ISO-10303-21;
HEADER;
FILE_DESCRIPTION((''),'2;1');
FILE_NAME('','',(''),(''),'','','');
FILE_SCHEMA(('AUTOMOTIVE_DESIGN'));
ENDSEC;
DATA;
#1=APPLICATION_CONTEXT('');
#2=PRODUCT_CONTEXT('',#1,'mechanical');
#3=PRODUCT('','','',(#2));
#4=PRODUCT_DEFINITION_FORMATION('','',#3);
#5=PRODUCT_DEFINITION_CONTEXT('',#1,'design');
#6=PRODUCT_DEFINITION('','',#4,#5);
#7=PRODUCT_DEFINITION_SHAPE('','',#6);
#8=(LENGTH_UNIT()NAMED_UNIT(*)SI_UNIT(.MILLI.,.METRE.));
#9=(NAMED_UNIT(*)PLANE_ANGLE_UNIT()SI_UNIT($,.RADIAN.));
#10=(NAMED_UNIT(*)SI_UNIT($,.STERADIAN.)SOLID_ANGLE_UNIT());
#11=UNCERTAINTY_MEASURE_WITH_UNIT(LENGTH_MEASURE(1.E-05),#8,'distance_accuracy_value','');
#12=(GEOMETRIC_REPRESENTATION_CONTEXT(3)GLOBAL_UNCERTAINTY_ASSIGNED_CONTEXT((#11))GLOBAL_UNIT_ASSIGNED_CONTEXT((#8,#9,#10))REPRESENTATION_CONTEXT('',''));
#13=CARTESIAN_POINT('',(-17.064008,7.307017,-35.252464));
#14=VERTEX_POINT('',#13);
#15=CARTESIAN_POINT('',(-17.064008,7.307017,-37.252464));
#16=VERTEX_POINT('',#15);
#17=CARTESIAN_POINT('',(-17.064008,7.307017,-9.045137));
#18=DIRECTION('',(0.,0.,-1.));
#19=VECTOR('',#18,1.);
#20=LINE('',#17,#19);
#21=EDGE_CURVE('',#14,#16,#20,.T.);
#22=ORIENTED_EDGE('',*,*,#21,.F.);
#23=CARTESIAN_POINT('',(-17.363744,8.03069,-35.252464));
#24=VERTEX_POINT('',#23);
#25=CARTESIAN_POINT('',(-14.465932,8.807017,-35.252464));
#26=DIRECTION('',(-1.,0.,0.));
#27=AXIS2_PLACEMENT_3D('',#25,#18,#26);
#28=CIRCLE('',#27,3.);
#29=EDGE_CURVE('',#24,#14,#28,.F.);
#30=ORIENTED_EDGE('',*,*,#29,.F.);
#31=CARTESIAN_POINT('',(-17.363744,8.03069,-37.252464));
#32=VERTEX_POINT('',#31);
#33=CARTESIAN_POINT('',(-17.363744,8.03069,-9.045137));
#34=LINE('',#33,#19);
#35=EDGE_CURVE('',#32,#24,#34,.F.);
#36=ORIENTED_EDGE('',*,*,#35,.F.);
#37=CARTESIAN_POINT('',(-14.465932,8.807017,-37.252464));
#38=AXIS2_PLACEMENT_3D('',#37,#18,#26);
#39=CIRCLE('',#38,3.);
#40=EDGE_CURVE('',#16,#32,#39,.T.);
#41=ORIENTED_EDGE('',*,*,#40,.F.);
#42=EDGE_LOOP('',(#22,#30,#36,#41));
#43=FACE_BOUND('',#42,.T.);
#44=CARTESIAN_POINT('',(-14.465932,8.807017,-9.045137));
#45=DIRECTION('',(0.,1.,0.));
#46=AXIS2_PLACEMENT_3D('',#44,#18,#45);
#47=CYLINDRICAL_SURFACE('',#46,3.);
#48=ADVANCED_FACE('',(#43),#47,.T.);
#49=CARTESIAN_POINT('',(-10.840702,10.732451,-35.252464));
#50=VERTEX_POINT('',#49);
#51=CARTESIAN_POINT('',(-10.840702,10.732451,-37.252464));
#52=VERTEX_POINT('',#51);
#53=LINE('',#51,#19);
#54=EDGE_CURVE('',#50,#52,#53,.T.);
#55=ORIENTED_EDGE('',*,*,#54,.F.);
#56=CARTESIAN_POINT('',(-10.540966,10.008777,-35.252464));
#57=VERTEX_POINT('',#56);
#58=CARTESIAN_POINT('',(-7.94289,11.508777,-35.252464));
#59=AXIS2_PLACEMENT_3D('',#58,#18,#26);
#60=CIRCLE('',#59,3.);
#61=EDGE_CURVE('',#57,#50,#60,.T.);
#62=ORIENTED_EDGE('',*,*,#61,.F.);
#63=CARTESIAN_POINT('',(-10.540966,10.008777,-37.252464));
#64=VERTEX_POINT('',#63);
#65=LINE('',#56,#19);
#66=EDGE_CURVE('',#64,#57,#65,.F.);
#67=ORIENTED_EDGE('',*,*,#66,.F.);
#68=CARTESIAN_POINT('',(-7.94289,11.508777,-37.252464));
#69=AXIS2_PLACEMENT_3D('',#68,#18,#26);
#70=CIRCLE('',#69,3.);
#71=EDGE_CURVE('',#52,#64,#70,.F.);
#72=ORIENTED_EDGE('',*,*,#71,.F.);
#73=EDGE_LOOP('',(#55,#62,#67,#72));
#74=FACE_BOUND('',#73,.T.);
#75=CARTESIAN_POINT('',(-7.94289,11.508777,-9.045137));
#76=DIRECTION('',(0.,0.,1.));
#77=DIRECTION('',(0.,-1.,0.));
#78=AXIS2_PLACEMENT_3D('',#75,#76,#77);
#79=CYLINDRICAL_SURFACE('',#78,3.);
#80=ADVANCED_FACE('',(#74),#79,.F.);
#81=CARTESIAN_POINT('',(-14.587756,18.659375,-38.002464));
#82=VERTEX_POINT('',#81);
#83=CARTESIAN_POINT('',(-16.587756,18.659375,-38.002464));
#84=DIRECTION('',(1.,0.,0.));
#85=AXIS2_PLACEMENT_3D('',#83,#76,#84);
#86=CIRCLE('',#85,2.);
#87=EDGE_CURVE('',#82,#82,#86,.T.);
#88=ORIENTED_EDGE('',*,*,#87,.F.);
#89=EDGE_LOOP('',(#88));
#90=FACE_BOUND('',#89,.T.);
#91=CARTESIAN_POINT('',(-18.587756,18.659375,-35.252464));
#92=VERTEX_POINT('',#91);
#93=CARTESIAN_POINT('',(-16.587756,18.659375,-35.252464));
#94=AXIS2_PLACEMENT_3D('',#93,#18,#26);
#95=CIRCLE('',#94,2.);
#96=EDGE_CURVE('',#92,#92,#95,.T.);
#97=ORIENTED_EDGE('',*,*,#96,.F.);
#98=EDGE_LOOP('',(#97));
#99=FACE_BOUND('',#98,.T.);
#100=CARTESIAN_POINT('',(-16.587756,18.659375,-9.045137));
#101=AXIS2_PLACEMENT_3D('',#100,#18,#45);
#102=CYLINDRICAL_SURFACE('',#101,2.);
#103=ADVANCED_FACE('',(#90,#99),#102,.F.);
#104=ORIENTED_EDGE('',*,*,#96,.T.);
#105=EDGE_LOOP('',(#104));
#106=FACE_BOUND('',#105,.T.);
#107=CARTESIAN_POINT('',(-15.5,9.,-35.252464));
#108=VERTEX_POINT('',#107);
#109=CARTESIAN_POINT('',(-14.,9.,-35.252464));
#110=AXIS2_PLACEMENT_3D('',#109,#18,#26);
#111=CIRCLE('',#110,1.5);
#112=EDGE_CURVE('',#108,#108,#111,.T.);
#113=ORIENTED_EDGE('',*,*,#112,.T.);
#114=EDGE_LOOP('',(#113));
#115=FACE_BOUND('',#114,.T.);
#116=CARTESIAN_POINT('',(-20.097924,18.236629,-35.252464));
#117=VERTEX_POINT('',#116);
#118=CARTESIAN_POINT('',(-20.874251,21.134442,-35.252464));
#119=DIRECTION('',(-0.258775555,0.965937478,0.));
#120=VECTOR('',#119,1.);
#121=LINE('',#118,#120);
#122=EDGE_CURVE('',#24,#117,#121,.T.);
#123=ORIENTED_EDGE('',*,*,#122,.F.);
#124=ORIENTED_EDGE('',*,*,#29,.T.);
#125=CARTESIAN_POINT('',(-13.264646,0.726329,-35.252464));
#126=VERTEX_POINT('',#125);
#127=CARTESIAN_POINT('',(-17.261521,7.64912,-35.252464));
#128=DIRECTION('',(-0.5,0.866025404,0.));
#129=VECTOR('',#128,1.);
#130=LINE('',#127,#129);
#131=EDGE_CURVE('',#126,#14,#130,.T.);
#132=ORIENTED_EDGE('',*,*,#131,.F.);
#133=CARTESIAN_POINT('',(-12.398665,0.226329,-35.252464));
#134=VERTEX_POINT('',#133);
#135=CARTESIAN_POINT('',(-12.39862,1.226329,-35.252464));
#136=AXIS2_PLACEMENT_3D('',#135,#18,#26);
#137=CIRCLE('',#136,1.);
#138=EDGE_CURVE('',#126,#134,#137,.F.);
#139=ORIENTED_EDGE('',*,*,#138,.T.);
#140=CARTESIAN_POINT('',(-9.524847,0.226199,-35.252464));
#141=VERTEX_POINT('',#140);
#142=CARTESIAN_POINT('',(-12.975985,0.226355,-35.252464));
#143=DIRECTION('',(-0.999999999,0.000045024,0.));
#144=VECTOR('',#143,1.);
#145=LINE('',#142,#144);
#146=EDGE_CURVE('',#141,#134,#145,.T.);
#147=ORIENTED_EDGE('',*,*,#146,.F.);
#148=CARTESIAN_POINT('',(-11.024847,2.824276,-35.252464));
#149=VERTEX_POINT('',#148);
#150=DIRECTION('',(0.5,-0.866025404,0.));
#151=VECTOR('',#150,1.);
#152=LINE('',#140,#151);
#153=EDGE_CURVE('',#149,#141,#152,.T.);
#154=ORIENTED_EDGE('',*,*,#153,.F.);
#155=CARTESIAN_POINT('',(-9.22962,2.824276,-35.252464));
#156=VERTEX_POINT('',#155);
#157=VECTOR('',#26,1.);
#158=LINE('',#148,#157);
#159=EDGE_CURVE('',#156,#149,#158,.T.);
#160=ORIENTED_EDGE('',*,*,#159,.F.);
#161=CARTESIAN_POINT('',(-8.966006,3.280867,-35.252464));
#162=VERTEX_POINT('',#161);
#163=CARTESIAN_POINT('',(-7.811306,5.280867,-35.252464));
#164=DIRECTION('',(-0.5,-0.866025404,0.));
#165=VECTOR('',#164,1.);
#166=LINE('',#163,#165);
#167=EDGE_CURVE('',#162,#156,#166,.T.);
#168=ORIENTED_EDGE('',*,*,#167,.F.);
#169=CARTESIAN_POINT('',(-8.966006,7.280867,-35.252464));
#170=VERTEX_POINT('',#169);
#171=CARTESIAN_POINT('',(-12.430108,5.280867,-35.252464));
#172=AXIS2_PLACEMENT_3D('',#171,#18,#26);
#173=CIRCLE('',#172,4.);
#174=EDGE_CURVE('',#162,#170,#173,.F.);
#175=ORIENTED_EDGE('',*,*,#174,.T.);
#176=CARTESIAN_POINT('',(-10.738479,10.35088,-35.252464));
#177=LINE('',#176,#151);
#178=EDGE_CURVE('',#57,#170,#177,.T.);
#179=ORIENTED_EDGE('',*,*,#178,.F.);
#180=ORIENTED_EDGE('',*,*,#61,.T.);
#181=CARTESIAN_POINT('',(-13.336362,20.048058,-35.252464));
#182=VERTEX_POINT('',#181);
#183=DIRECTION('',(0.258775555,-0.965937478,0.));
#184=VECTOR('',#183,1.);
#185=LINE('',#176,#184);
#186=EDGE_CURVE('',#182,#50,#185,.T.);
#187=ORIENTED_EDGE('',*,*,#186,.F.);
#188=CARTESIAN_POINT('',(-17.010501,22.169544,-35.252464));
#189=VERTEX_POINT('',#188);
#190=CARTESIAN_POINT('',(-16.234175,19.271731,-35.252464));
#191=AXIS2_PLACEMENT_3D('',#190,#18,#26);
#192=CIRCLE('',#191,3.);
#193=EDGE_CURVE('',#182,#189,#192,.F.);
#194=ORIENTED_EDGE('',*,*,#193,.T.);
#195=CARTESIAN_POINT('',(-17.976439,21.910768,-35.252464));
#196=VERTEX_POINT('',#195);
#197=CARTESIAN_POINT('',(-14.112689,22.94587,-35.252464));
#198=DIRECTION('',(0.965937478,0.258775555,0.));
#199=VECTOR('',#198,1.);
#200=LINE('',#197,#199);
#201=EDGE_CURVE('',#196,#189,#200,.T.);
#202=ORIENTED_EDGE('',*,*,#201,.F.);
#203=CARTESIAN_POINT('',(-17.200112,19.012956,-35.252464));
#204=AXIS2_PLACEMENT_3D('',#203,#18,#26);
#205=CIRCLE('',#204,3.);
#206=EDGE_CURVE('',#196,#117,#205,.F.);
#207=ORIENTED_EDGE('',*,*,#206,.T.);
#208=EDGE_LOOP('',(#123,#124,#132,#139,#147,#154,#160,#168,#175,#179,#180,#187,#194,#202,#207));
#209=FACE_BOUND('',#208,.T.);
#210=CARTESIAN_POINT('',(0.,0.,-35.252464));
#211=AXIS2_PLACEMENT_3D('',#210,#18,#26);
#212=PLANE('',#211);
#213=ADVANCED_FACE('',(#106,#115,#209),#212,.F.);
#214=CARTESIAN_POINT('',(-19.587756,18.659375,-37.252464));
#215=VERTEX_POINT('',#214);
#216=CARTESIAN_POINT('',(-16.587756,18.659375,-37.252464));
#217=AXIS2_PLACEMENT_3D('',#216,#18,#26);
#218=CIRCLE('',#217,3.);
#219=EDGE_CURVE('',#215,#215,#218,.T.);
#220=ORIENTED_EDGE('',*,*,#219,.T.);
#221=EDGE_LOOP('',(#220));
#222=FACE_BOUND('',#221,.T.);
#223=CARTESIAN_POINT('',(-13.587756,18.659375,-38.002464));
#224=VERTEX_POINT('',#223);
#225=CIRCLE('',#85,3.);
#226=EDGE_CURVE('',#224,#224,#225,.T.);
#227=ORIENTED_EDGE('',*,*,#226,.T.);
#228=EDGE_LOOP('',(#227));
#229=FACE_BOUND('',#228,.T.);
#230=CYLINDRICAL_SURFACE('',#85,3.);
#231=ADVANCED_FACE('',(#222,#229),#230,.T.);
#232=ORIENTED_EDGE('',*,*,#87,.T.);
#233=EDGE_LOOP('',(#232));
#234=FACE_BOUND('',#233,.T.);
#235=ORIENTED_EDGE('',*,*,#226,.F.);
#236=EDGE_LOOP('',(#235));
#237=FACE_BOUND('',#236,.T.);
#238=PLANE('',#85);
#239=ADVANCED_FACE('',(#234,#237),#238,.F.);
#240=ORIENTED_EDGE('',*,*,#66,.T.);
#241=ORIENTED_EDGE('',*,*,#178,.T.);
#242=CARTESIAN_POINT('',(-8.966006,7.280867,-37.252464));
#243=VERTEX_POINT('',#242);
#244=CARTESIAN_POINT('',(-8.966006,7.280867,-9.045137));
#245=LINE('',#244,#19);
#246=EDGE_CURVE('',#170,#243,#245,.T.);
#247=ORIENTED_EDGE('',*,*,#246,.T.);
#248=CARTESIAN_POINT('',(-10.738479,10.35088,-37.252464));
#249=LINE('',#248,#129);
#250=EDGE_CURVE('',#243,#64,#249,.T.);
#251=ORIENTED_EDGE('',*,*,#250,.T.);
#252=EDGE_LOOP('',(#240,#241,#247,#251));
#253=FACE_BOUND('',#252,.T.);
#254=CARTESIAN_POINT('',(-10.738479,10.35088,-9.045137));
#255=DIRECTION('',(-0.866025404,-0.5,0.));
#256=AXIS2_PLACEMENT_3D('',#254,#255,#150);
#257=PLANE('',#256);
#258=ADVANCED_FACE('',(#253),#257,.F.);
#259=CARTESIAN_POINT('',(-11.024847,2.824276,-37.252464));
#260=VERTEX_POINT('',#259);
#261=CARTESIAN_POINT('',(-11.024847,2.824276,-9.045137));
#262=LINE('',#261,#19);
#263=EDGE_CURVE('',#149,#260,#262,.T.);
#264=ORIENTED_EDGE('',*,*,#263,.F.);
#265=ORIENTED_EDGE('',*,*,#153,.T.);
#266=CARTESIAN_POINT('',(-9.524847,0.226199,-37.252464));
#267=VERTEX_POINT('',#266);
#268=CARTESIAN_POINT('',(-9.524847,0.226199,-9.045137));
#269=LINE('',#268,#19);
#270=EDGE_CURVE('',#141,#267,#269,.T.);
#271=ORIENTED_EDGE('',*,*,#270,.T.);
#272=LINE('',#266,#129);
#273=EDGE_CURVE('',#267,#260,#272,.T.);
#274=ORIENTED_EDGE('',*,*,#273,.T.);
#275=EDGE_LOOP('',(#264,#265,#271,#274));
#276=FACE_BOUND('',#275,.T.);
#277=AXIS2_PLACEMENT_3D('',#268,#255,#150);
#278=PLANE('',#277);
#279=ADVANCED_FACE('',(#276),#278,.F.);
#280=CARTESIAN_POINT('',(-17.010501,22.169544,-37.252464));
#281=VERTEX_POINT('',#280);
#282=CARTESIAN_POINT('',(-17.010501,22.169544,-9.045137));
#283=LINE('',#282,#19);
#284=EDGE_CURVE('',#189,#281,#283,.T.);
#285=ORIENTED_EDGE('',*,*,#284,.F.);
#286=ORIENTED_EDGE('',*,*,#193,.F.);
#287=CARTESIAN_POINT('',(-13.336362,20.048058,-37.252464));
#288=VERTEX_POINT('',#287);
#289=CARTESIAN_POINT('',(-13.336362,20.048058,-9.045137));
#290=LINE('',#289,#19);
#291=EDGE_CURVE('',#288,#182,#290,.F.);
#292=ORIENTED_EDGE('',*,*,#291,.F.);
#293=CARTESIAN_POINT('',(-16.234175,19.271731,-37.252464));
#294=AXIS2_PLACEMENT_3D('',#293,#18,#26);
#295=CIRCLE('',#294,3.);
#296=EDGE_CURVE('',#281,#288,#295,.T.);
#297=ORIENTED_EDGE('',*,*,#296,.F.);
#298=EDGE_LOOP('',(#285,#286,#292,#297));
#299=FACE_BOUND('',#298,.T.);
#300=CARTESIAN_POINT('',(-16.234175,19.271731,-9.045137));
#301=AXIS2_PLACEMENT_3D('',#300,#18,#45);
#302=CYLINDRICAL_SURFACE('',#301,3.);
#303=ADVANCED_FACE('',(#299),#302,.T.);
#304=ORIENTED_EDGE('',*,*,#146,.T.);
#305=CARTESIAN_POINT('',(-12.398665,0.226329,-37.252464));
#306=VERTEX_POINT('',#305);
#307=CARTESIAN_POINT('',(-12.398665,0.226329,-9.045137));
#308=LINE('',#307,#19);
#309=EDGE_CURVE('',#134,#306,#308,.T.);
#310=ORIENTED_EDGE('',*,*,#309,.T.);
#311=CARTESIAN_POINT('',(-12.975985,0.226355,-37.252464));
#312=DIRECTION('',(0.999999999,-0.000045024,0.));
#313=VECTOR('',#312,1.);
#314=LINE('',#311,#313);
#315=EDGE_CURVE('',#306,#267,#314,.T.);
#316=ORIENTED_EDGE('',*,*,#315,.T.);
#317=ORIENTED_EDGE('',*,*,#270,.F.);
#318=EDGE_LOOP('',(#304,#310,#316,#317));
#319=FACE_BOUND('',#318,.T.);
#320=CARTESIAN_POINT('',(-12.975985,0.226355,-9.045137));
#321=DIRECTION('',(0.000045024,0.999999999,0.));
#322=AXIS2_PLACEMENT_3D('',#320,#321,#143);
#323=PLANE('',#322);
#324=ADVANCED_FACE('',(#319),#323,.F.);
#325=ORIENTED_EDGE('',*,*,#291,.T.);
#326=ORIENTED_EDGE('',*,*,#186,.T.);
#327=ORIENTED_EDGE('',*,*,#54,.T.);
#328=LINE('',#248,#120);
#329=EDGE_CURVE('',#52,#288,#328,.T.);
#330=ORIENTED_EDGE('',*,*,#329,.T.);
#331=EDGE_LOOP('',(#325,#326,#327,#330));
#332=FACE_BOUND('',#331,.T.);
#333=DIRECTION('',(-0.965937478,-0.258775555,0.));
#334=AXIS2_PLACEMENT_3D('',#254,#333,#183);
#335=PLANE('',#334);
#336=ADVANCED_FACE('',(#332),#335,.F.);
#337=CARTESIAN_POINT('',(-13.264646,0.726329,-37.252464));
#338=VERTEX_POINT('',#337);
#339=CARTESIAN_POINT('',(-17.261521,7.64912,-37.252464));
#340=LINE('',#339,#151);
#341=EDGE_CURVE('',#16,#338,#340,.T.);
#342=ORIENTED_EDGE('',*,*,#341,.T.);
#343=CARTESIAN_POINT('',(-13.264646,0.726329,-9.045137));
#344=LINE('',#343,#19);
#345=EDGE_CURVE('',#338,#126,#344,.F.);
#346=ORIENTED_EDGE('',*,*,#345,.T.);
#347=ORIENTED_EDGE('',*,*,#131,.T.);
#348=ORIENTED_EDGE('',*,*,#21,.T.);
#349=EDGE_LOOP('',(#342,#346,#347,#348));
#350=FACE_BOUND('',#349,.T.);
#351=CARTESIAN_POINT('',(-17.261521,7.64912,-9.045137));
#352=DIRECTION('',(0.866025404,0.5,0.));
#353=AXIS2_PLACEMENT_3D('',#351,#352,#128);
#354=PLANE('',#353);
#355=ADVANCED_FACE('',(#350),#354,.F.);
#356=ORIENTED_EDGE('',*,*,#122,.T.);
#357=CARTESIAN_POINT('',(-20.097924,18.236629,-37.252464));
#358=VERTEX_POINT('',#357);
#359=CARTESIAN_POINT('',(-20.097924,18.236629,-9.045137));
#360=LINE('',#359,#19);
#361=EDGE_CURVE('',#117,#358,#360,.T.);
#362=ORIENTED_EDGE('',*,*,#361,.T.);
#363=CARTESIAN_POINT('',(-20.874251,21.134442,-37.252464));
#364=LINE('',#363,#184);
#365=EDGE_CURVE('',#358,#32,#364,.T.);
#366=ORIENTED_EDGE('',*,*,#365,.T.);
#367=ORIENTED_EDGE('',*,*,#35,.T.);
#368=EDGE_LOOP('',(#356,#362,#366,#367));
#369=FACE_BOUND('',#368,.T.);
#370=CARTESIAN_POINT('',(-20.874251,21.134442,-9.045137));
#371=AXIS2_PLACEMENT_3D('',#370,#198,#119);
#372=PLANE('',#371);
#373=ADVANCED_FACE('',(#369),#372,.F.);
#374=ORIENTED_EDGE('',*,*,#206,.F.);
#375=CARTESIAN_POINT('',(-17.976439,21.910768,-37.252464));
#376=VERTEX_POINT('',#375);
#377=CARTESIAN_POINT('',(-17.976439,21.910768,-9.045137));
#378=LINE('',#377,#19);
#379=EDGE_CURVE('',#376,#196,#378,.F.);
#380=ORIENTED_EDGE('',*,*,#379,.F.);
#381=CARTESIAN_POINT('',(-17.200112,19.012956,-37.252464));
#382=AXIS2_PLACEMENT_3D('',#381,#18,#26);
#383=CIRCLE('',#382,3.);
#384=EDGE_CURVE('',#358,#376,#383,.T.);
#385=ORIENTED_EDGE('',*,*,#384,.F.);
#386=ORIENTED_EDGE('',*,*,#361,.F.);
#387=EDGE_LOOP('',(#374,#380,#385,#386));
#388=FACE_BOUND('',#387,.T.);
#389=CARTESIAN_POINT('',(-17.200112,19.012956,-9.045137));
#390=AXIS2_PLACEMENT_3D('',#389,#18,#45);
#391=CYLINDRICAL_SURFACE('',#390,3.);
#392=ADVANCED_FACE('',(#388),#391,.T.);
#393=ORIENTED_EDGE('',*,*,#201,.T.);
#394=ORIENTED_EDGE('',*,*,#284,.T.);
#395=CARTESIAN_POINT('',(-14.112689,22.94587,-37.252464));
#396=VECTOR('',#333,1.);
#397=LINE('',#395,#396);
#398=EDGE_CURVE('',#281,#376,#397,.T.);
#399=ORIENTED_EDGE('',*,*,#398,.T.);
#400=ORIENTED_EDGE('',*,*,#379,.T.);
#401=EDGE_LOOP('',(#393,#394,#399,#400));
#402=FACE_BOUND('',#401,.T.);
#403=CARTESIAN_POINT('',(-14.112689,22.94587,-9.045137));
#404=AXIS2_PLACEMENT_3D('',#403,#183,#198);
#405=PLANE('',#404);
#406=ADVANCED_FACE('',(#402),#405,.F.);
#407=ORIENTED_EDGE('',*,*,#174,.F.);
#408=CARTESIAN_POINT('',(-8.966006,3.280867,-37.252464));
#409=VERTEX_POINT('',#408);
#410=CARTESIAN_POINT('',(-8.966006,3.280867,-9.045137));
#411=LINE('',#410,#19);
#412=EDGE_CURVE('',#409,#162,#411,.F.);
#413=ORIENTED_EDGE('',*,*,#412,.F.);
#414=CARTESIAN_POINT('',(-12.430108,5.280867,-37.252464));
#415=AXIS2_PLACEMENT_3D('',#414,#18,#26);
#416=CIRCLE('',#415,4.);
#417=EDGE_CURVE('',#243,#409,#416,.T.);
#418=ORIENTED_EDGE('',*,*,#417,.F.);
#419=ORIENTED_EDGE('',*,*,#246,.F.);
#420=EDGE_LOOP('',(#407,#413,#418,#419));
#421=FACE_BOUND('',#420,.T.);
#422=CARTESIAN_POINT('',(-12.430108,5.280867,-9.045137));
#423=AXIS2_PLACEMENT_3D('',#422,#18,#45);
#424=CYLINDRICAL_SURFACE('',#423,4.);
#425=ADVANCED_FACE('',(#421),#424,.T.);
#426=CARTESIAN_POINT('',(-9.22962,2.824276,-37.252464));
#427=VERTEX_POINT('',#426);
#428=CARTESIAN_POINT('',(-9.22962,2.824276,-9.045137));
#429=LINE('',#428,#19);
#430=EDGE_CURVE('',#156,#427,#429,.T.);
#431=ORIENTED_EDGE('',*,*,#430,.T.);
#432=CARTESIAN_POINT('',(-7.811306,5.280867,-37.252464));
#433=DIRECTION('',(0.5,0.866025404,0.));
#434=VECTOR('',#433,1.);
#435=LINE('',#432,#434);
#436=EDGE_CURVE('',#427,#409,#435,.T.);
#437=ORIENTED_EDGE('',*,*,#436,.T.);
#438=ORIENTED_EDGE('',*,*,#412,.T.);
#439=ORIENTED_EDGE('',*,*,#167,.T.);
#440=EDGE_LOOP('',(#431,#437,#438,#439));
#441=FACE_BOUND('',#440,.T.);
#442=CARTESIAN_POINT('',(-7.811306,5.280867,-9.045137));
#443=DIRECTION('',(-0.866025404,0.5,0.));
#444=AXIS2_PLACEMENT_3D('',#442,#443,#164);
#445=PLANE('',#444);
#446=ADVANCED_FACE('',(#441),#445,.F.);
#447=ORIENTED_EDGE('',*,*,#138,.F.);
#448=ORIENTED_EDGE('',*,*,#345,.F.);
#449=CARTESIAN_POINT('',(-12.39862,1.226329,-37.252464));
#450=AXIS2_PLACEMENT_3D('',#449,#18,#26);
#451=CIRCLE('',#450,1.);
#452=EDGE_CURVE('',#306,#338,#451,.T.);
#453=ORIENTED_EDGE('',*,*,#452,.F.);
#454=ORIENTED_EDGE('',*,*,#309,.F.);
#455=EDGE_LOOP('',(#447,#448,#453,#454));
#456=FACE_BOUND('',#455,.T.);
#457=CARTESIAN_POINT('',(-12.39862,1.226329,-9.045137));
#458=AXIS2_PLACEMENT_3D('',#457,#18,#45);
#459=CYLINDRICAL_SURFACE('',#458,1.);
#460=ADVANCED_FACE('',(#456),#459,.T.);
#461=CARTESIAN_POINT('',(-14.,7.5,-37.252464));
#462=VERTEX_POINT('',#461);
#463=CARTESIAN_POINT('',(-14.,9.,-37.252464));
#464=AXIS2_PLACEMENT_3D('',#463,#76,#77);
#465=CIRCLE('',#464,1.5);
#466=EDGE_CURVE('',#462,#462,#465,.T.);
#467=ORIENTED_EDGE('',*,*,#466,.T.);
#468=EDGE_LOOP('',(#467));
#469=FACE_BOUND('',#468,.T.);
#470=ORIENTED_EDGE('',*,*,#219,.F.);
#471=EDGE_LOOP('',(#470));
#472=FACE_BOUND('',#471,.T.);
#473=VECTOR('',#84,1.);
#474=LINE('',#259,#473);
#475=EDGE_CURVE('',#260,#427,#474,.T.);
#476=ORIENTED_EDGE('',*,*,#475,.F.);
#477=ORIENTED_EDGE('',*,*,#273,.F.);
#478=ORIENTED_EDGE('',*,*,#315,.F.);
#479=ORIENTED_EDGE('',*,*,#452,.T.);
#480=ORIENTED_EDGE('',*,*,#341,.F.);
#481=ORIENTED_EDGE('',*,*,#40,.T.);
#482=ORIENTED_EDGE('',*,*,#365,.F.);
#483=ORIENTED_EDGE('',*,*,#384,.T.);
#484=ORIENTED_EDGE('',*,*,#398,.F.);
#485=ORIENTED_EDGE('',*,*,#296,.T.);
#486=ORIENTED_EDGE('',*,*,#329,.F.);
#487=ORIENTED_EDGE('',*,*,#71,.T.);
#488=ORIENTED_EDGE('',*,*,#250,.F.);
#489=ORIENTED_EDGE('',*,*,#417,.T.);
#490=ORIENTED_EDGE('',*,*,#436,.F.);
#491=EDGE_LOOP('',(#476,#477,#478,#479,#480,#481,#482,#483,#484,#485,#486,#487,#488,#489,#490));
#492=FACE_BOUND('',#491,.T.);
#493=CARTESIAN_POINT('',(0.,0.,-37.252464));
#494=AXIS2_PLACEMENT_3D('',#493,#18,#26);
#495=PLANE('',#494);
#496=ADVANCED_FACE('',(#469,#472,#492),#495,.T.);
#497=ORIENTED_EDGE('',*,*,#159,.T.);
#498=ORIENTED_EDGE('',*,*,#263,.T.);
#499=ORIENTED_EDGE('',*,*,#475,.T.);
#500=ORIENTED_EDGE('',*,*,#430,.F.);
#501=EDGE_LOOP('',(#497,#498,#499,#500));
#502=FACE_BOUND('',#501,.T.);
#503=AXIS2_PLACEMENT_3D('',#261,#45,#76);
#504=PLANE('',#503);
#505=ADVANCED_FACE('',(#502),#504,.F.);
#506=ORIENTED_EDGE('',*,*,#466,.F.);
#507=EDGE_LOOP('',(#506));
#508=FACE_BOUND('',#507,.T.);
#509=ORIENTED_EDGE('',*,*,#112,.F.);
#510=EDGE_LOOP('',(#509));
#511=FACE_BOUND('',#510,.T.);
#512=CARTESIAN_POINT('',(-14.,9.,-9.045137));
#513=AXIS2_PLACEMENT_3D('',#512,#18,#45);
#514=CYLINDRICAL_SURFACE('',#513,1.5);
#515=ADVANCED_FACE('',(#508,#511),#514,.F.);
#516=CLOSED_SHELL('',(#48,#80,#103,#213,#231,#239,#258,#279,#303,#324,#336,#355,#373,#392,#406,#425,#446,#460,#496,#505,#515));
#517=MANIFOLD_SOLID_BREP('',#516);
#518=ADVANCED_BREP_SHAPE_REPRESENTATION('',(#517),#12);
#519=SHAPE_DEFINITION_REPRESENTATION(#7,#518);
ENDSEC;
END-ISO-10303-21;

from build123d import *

# Parameters (mm, degrees)
SKETCH_1_R      = 2
SKETCH_1_R_2    = 1.5
EXTRUDE_1_DEPTH = 2
FILLET_1_R      = 3
FILLET_2_R      = 4
FILLET_3_R      = 1
SKETCH_2_R      = 3
SKETCH_2_R_2    = 2
EXTRUDE_2_DEPTH = 0.75


with BuildPart() as part:
    # 草图1 → 凸台-拉伸1 (new body)
    with BuildSketch(Plane(origin=(0, 0, -37.252464054), x_dir=(0.999999999, -4.5024e-05, 0), z_dir=(0, 0, 1))):
        Polygon((-10.738945167, 10.350396652), (-14.113721921, 22.945234964), (-20.875202705, 21.133501648), (-17.261865242, 7.64834265), (-12.97599562, 0.225770523), (-9.524857048, 0.225770523), (-11.024974023, 2.823779195), (-9.229747105, 2.823860024), (-7.811543717, 5.280515782), align=None)
        with Locations((-16.588595655, 18.658627914)):
            Circle(SKETCH_1_R, mode=Mode.SUBTRACT)
        with Locations((-14.000405204, 8.999369651)):
            Circle(SKETCH_1_R_2, mode=Mode.SUBTRACT)
    extrude(amount=EXTRUDE_1_DEPTH)

    # 圆角1
    fillet_1_edges = [part.edges().sort_by_distance(p)[0] for p in [
        (-10.738479137, 10.350880155, -36.252464054),
        (-14.112688814, 22.945870401, -36.252464054),
        (-20.874251163, 21.134441518, -36.252464054),
        (-17.261520863, 7.649119845, -36.252464054),
    ]]
    fillet(fillet_1_edges, radius=FILLET_1_R)

    # 圆角2
    fillet_2_edges = [part.edges().sort_by_distance(p)[0] for p in [
        (-7.811305958, 5.280867486, -36.252464054),
    ]]
    fillet(fillet_2_edges, radius=FILLET_2_R)

    # 圆角3
    fillet_3_edges = [part.edges().sort_by_distance(p)[0] for p in [
        (-12.975985442, 0.226354757, -36.252464054),
    ]]
    fillet(fillet_3_edges, radius=FILLET_3_R)

    # 草图2 → 凸台-拉伸2 (add)
    with BuildSketch(Plane(origin=(-0.25104956, -0.068074204, -37.252464054), x_dir=(1, 0, 0), z_dir=(0, 0, 1))):
        with Locations((-16.336705988, 18.727448988)):
            Circle(SKETCH_2_R)
        with Locations((-16.336705988, 18.727448988)):
            Circle(SKETCH_2_R_2, mode=Mode.SUBTRACT)
    extrude(amount=-EXTRUDE_2_DEPTH)


solid = part.part
